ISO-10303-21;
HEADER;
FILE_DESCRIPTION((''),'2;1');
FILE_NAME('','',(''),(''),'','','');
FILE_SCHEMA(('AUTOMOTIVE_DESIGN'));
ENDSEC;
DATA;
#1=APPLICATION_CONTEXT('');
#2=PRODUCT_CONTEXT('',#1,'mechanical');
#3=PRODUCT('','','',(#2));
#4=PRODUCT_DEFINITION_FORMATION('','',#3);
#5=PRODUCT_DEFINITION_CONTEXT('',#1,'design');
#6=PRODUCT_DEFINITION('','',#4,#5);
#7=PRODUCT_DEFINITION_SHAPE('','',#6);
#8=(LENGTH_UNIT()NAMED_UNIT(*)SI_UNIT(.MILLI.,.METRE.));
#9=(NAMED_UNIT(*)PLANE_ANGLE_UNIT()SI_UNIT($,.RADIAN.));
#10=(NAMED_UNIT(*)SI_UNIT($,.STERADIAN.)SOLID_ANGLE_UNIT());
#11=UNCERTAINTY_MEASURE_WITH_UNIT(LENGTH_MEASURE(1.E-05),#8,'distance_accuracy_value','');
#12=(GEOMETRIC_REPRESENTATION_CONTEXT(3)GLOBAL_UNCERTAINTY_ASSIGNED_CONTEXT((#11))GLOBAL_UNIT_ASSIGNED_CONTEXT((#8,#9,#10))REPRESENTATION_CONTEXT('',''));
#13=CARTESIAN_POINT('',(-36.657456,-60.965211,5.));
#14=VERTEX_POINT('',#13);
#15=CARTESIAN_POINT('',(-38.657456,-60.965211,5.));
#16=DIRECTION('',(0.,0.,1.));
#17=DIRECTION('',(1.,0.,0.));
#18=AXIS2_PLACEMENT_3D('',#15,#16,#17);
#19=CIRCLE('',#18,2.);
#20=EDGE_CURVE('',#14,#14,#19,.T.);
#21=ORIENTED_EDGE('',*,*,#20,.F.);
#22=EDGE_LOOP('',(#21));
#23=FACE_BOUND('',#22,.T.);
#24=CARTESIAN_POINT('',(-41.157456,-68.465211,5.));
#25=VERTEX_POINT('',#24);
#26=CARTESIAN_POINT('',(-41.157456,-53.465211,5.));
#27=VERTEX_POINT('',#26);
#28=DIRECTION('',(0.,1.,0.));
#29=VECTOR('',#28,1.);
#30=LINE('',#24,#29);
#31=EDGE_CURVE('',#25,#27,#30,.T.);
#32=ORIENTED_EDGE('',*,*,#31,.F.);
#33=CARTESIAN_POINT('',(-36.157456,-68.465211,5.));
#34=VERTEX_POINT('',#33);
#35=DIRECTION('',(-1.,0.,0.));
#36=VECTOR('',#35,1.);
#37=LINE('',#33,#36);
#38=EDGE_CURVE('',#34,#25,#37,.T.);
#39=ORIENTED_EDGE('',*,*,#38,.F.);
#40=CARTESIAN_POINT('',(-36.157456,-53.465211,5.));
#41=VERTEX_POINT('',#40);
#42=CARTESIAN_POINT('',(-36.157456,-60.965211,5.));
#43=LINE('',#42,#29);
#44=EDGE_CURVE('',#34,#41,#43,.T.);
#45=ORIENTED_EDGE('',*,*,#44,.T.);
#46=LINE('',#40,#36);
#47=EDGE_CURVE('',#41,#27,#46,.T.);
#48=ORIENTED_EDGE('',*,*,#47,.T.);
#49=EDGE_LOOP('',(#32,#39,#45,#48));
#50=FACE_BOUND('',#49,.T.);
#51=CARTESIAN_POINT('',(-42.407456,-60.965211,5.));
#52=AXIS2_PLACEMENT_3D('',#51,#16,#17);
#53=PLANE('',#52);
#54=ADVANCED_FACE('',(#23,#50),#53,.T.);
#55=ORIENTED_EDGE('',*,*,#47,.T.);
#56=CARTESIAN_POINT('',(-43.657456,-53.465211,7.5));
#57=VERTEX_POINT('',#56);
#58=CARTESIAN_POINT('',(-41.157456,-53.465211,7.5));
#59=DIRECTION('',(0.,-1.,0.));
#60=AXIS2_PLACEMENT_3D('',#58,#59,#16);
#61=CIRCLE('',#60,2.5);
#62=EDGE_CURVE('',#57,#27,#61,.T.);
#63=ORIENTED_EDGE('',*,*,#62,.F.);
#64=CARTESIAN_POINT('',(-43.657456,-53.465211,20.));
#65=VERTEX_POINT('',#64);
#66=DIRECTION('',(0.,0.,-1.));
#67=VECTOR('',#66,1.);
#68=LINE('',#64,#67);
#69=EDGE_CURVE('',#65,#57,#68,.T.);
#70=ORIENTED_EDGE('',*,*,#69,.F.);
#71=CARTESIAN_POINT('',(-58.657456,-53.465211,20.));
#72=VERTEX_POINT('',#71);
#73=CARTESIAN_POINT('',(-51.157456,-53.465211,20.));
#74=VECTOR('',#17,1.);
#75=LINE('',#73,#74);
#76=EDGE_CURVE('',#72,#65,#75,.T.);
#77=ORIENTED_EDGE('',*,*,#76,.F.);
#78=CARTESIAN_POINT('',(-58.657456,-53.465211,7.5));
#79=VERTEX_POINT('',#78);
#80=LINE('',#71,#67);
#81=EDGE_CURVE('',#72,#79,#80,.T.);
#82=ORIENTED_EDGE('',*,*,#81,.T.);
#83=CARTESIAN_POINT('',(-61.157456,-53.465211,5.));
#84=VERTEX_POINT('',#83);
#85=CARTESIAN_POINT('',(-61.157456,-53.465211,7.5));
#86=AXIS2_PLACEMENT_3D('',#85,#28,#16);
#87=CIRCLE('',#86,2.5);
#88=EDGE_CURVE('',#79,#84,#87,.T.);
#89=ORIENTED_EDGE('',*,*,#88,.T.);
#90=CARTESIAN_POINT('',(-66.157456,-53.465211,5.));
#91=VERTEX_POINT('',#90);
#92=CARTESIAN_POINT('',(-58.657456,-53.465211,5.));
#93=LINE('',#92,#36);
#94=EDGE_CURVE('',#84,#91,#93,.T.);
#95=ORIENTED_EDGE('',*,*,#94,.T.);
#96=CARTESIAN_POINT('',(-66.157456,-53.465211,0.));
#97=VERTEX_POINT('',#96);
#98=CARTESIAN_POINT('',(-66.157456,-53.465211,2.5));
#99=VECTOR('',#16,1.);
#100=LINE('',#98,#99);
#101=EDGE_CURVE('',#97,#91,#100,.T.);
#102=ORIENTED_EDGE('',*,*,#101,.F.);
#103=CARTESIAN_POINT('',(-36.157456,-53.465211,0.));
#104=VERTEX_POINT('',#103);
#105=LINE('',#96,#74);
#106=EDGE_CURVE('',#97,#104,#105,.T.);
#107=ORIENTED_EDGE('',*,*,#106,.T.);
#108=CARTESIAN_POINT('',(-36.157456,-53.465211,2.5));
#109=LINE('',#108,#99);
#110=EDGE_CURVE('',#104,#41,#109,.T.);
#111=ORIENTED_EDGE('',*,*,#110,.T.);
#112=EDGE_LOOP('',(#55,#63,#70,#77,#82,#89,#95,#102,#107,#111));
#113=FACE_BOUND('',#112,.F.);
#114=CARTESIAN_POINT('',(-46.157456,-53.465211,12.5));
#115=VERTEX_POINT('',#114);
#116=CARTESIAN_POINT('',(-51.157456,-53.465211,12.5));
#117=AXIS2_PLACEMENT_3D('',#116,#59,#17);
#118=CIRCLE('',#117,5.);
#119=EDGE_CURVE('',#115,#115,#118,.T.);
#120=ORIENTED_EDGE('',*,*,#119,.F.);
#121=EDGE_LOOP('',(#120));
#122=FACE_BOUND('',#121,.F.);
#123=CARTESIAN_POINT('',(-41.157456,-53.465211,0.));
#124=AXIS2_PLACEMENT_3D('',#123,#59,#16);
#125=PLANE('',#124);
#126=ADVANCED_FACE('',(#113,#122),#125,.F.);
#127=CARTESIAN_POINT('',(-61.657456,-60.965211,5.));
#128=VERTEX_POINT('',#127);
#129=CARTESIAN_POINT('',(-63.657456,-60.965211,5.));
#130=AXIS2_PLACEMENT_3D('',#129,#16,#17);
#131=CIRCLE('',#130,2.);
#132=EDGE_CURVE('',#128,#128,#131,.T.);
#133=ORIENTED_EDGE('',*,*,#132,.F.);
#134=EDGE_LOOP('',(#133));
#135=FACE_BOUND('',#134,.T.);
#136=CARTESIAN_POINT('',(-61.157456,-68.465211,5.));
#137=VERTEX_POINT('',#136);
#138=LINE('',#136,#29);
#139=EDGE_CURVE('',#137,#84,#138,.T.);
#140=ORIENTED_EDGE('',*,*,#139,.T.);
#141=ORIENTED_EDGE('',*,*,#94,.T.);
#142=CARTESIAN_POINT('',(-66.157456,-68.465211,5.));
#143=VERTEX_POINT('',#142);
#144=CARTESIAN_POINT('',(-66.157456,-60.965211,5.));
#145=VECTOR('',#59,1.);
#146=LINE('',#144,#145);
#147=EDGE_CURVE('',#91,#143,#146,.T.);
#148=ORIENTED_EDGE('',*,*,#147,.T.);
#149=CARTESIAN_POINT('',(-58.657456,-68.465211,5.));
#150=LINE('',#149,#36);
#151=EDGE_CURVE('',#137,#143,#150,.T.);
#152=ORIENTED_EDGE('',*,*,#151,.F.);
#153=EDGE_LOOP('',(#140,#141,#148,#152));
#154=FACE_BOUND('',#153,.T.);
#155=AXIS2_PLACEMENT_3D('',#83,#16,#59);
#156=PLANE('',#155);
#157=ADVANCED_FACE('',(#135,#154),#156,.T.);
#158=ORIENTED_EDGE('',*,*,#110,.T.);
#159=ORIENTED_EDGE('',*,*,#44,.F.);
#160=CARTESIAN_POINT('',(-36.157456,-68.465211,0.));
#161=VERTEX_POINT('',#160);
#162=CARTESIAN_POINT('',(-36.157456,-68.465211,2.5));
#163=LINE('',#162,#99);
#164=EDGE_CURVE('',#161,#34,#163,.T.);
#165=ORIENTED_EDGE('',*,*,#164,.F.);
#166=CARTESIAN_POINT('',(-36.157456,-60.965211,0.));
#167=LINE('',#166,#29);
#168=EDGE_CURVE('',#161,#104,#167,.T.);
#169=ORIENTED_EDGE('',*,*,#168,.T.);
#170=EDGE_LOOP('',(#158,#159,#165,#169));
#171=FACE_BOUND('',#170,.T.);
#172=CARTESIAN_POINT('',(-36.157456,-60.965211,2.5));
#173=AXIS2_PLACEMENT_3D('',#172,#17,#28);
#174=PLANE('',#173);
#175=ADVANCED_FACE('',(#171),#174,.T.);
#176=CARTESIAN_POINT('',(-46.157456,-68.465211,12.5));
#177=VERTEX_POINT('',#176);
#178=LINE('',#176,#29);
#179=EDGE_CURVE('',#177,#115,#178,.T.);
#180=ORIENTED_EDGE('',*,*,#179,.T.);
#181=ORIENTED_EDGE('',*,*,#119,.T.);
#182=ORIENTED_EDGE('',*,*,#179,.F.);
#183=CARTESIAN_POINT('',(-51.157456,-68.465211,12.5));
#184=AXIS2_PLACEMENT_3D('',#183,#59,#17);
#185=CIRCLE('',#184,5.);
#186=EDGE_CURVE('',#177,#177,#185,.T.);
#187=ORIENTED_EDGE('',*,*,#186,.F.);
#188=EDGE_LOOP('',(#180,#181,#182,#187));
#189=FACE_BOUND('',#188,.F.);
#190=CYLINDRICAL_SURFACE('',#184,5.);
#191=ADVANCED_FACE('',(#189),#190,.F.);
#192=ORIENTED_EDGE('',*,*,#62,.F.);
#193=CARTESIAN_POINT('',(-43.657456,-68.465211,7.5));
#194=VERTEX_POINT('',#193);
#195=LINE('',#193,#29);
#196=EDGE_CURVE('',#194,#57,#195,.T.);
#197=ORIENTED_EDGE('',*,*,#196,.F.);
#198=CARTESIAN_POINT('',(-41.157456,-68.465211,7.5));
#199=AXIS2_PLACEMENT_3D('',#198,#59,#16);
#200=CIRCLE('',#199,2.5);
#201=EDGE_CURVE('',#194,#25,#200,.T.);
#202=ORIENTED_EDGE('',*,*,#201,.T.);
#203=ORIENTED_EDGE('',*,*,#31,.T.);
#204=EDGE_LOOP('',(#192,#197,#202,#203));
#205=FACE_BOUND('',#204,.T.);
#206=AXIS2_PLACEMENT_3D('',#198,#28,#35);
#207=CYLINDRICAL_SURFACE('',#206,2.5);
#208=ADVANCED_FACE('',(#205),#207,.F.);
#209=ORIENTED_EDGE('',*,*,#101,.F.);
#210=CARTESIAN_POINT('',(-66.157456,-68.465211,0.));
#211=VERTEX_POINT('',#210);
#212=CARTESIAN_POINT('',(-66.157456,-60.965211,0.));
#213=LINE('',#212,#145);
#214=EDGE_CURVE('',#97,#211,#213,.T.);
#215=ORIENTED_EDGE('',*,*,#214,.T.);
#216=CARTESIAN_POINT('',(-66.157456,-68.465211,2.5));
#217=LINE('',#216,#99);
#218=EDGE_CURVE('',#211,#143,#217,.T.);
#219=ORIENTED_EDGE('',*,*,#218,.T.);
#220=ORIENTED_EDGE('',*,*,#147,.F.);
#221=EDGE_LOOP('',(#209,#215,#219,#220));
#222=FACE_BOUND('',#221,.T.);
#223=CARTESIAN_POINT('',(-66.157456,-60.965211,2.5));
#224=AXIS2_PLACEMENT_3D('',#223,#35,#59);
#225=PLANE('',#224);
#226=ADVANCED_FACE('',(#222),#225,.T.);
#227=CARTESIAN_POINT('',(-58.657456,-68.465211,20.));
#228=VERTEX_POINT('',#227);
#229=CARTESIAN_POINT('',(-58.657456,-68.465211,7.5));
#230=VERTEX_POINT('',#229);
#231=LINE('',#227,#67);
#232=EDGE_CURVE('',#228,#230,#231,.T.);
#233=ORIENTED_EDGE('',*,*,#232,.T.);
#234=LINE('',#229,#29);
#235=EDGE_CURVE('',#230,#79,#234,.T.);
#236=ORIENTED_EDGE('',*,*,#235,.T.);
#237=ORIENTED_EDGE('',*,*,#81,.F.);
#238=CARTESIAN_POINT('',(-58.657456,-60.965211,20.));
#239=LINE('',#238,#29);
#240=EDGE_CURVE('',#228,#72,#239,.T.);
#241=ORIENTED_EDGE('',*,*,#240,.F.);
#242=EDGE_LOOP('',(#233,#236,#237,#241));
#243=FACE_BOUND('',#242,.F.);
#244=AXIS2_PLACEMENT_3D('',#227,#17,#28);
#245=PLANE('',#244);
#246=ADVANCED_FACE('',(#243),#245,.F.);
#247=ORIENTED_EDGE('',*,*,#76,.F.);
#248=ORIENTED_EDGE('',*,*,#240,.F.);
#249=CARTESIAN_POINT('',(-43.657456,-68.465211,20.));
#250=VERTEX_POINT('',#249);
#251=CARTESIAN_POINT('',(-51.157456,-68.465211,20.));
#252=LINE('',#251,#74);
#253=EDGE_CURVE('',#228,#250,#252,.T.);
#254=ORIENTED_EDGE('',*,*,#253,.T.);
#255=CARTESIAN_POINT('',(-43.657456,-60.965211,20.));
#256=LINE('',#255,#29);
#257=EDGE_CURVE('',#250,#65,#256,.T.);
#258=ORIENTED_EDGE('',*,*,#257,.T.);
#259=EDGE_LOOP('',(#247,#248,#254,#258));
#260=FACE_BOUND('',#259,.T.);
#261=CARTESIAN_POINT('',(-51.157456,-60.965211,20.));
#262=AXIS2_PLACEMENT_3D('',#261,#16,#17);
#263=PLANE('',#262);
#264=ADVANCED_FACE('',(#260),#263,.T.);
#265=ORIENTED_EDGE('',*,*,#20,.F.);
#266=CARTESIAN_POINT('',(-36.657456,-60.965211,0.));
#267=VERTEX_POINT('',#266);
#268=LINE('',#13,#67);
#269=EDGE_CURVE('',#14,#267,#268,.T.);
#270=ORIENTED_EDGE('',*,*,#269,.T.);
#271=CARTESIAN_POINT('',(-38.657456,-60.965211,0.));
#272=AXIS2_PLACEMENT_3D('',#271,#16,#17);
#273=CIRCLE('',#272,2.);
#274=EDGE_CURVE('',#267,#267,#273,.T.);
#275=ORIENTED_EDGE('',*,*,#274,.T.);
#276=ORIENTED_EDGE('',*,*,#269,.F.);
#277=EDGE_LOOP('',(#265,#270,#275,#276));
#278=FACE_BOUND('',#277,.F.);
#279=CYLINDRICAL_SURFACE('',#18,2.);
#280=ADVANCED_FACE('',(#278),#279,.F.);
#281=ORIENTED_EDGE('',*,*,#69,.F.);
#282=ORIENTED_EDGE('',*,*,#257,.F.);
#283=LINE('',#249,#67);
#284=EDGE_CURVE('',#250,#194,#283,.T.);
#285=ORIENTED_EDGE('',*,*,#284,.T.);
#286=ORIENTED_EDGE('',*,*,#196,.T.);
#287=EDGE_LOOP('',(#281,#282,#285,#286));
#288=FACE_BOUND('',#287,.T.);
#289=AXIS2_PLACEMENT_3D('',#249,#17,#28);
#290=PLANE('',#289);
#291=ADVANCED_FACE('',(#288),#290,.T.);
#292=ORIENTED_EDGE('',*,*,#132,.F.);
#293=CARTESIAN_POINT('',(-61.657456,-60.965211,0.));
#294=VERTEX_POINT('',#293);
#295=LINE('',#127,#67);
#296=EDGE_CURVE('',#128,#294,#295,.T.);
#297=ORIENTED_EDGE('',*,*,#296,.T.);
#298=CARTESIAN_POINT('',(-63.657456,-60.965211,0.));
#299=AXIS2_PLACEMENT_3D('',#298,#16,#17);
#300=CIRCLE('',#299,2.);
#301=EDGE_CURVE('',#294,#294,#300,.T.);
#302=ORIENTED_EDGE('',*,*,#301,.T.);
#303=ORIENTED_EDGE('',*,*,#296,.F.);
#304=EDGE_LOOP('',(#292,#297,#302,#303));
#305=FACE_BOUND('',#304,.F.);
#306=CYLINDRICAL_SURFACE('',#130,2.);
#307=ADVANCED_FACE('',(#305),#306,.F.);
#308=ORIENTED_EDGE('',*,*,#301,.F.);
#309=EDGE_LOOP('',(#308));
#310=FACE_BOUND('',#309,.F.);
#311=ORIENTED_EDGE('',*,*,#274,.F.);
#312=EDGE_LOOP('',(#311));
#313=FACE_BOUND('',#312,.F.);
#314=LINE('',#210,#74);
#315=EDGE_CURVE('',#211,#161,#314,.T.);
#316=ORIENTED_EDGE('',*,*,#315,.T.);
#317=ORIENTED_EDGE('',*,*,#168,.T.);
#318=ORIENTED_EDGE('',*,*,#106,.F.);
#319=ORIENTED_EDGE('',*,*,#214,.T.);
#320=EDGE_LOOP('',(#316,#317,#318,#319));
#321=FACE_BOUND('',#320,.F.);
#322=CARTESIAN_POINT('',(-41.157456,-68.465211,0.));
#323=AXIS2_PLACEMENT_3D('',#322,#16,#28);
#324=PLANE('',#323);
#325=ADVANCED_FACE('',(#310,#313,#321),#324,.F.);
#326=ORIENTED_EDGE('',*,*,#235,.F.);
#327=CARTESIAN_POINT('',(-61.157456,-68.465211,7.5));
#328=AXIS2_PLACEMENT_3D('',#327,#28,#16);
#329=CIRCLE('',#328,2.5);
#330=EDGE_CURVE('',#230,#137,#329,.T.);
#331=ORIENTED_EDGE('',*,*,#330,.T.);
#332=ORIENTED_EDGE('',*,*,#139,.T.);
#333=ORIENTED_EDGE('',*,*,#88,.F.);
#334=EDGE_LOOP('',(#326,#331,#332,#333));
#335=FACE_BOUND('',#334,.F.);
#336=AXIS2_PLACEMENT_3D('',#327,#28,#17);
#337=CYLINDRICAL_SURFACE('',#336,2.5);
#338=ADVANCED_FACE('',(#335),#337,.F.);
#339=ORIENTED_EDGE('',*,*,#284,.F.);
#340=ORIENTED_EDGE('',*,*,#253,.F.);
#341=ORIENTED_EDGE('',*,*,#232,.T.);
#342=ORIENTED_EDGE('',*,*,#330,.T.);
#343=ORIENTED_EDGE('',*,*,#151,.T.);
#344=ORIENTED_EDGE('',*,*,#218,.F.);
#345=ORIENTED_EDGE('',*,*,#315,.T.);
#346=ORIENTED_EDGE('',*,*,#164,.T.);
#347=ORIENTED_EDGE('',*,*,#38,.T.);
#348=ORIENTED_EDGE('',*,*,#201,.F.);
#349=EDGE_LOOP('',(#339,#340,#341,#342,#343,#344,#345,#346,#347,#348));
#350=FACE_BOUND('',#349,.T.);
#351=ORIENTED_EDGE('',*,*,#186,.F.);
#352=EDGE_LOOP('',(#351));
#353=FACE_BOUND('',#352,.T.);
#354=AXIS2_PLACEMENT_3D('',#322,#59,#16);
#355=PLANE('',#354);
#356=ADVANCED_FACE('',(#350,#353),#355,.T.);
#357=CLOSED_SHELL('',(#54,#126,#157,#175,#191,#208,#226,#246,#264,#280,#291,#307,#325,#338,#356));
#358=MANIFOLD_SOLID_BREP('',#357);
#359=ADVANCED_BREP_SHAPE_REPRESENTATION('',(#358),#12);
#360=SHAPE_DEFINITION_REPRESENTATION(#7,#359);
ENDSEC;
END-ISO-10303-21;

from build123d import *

# Parameters (mm, degrees)
F0_W      = 30
F0_H      = 15
F1_DEPTH  = 20
F2_W      = 5
F2_H      = 20
F3_DEPTH  = 25
F4_W      = 15
F4_H      = 5
F5_DEPTH  = 5
F6_W      = 5
F6_H      = 20
F7_DEPTH  = 25
F8_W      = 15
F8_H      = 5
F9_DEPTH  = 5
F10_W     = 2.5
F10_H     = 15
F11_DEPTH = 15
F12_R     = 2.5
F13_R     = 2.5
F14_R     = 5
F15_DEPTH = 20
F16_R     = 2
F17_DEPTH = 25
F18_R     = 2
F19_DEPTH = 25


with BuildPart() as f1:
    # F0 (on Top) → F1 (new body)
    with BuildSketch(Plane.XY):
        with Locations((-51.157456, -60.965211)):
            Rectangle(F0_W, F0_H)
    extrude(amount=F1_DEPTH)

    # F2 (on face) → F3 (cut)
    with BuildSketch(Plane.XZ.offset(68.465211)):
        with Locations((-63.657456, 10)):
            Rectangle(F2_W, F2_H)
    extrude(amount=-F3_DEPTH, mode=Mode.SUBTRACT)

    # F4 (on face) → F5 (join)
    with BuildSketch(Plane(origin=(-61.157456, 0, 0), x_dir=(0, -1, 0), z_dir=(-1, 0, 0))):
        with Locations((60.965211, 2.5)):
            Rectangle(F4_W, F4_H)
    extrude(amount=F5_DEPTH)

    # F6 (on face) → F7 (cut)
    with BuildSketch(Plane.XZ.offset(68.465211)):
        with Locations((-38.657456, 10)):
            Rectangle(F6_W, F6_H)
    extrude(amount=-F7_DEPTH, mode=Mode.SUBTRACT)

    # F8 (on face) → F9 (join)
    with BuildSketch(Plane.YZ.offset(-41.157456)):
        with Locations((-60.965211, 2.5)):
            Rectangle(F8_W, F8_H)
    extrude(amount=F9_DEPTH)

    # F10 (on face) → F11 (cut)
    with BuildSketch(Plane.XY.offset(20)):
        with Locations((-59.907456, -60.965211)):
            Rectangle(F10_W, F10_H)
        with Locations((-42.407456, -60.965211)):
            Rectangle(F10_W, F10_H)
    extrude(amount=-F11_DEPTH, mode=Mode.SUBTRACT)

    # F12
    f12_edges = [f1.edges().sort_by_distance(p)[0] for p in [
        (-43.657456, -60.965211, 5),
    ]]
    fillet(f12_edges, radius=F12_R)

    # F13
    f13_edges = [f1.edges().sort_by_distance(p)[0] for p in [
        (-58.657456, -60.965211, 5),
    ]]
    fillet(f13_edges, radius=F13_R)

    # F14 (on face) → F15 (cut)
    with BuildSketch(Plane.XZ.offset(68.465211)):
        with Locations((-51.157456, 12.5)):
            Circle(F14_R)
    extrude(amount=-F15_DEPTH, mode=Mode.SUBTRACT)

    # F16 (on face) → F17 (cut)
    with BuildSketch(Plane.XY.offset(5)):
        with Locations((-38.657456, -60.965211)):
            Circle(F16_R)
    extrude(amount=-F17_DEPTH, mode=Mode.SUBTRACT)

    # F18 (on face) → F19 (cut)
    with BuildSketch(Plane.XY.offset(5)):
        with Locations((-63.657456, -60.965211)):
            Circle(F18_R)
    extrude(amount=-F19_DEPTH, mode=Mode.SUBTRACT)


solid = f1.part
